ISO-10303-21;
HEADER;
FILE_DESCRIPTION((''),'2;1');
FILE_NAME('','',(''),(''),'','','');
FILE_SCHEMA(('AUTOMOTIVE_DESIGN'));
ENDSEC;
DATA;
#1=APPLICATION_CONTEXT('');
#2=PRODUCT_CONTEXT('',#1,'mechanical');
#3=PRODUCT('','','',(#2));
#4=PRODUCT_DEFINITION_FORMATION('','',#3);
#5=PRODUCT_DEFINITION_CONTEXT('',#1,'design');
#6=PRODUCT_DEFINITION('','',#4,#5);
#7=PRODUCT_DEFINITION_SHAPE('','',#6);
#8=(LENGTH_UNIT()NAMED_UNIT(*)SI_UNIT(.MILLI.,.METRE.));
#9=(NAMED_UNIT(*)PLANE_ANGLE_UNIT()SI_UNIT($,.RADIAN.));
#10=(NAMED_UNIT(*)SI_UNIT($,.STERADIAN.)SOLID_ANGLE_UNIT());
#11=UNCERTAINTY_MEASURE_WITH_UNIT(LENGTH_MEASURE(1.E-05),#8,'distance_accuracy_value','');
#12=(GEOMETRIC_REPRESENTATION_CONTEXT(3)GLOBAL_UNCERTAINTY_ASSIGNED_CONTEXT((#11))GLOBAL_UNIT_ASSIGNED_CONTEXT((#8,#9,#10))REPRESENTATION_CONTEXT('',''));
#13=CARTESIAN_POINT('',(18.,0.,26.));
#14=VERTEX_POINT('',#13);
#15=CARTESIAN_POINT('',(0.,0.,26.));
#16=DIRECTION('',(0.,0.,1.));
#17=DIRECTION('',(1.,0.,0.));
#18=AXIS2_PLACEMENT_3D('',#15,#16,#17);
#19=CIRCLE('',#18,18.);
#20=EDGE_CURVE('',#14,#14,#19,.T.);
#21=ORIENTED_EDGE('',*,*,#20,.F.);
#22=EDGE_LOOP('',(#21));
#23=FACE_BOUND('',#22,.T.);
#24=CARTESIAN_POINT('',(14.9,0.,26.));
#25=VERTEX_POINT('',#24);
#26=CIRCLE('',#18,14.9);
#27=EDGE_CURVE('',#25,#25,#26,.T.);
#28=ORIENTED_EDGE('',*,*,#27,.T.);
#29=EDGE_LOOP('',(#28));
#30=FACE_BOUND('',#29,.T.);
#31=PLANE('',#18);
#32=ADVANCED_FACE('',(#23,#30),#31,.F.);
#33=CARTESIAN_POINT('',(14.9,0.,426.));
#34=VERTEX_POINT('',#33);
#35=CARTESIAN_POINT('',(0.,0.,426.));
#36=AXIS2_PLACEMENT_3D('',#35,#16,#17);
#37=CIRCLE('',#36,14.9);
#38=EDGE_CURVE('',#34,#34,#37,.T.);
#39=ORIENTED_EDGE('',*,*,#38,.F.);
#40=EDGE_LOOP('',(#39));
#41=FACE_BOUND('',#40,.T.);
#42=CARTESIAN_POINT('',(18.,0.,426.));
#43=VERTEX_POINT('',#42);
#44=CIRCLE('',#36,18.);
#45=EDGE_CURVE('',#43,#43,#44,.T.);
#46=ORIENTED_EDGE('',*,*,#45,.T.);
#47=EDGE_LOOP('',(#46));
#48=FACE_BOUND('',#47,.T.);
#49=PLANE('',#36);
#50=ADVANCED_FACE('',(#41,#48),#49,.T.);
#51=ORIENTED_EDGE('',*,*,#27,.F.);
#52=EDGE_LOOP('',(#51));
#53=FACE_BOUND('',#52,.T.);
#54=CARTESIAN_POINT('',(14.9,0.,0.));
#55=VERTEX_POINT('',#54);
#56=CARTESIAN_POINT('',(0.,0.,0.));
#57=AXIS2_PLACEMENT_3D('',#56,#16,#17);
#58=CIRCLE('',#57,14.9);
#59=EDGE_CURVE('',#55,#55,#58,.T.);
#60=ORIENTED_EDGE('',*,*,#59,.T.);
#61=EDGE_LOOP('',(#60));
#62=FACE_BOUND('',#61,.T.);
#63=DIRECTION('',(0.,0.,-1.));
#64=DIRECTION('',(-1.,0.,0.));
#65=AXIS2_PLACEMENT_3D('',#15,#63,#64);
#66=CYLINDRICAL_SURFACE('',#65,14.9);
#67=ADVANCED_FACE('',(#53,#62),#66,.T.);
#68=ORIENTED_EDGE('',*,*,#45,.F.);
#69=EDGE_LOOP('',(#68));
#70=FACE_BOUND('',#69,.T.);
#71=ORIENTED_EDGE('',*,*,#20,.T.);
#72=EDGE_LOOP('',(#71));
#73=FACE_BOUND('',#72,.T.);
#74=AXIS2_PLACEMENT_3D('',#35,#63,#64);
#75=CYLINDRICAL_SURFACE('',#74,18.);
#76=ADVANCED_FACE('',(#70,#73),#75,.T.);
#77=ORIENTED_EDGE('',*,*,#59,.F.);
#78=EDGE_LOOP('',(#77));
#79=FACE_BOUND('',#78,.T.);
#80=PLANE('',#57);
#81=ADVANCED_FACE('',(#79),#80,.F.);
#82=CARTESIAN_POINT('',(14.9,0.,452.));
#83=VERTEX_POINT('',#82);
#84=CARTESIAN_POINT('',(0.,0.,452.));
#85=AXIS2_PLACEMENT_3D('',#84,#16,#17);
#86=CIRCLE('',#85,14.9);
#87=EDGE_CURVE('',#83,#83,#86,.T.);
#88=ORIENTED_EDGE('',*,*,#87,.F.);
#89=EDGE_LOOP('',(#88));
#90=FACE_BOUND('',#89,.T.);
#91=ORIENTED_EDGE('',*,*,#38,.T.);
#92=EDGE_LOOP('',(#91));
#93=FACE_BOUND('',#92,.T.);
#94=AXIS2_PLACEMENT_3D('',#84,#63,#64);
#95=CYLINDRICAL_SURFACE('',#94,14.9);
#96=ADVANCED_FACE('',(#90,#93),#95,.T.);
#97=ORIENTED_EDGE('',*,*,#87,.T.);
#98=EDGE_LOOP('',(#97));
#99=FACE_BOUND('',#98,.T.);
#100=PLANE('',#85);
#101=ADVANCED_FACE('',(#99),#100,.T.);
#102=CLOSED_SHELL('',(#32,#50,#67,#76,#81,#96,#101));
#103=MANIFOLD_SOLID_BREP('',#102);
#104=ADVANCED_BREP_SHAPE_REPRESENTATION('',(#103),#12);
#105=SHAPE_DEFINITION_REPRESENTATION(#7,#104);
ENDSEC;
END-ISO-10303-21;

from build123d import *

# Parameters (mm, degrees)
IZIM1_R                     = 14.9
Y_KSEKLIK_EKSTR_ZYON1_DEPTH = 26
IZIM2_R                     = 18
Y_KSEKLIK_EKSTR_ZYON2_DEPTH = 400
IZIM4_R                     = 14.9
Y_KSEKLIK_EKSTR_ZYON3_DEPTH = 26


with BuildPart() as part:
    # Çizim1 → Yükseklik-Ekstrüzyon1 (new body)
    with BuildSketch(Plane.XY):
        Circle(IZIM1_R)
    extrude(amount=Y_KSEKLIK_EKSTR_ZYON1_DEPTH)

    # Çizim2 → Yükseklik-Ekstrüzyon2 (add)
    with BuildSketch(Plane.XY.offset(26)):
        Circle(IZIM2_R)
    extrude(amount=Y_KSEKLIK_EKSTR_ZYON2_DEPTH)

    # Çizim4 → Yükseklik-Ekstrüzyon3 (add)
    with BuildSketch(Plane.XY.offset(426)):
        Circle(IZIM4_R)
    extrude(amount=Y_KSEKLIK_EKSTR_ZYON3_DEPTH)


solid = part.part
